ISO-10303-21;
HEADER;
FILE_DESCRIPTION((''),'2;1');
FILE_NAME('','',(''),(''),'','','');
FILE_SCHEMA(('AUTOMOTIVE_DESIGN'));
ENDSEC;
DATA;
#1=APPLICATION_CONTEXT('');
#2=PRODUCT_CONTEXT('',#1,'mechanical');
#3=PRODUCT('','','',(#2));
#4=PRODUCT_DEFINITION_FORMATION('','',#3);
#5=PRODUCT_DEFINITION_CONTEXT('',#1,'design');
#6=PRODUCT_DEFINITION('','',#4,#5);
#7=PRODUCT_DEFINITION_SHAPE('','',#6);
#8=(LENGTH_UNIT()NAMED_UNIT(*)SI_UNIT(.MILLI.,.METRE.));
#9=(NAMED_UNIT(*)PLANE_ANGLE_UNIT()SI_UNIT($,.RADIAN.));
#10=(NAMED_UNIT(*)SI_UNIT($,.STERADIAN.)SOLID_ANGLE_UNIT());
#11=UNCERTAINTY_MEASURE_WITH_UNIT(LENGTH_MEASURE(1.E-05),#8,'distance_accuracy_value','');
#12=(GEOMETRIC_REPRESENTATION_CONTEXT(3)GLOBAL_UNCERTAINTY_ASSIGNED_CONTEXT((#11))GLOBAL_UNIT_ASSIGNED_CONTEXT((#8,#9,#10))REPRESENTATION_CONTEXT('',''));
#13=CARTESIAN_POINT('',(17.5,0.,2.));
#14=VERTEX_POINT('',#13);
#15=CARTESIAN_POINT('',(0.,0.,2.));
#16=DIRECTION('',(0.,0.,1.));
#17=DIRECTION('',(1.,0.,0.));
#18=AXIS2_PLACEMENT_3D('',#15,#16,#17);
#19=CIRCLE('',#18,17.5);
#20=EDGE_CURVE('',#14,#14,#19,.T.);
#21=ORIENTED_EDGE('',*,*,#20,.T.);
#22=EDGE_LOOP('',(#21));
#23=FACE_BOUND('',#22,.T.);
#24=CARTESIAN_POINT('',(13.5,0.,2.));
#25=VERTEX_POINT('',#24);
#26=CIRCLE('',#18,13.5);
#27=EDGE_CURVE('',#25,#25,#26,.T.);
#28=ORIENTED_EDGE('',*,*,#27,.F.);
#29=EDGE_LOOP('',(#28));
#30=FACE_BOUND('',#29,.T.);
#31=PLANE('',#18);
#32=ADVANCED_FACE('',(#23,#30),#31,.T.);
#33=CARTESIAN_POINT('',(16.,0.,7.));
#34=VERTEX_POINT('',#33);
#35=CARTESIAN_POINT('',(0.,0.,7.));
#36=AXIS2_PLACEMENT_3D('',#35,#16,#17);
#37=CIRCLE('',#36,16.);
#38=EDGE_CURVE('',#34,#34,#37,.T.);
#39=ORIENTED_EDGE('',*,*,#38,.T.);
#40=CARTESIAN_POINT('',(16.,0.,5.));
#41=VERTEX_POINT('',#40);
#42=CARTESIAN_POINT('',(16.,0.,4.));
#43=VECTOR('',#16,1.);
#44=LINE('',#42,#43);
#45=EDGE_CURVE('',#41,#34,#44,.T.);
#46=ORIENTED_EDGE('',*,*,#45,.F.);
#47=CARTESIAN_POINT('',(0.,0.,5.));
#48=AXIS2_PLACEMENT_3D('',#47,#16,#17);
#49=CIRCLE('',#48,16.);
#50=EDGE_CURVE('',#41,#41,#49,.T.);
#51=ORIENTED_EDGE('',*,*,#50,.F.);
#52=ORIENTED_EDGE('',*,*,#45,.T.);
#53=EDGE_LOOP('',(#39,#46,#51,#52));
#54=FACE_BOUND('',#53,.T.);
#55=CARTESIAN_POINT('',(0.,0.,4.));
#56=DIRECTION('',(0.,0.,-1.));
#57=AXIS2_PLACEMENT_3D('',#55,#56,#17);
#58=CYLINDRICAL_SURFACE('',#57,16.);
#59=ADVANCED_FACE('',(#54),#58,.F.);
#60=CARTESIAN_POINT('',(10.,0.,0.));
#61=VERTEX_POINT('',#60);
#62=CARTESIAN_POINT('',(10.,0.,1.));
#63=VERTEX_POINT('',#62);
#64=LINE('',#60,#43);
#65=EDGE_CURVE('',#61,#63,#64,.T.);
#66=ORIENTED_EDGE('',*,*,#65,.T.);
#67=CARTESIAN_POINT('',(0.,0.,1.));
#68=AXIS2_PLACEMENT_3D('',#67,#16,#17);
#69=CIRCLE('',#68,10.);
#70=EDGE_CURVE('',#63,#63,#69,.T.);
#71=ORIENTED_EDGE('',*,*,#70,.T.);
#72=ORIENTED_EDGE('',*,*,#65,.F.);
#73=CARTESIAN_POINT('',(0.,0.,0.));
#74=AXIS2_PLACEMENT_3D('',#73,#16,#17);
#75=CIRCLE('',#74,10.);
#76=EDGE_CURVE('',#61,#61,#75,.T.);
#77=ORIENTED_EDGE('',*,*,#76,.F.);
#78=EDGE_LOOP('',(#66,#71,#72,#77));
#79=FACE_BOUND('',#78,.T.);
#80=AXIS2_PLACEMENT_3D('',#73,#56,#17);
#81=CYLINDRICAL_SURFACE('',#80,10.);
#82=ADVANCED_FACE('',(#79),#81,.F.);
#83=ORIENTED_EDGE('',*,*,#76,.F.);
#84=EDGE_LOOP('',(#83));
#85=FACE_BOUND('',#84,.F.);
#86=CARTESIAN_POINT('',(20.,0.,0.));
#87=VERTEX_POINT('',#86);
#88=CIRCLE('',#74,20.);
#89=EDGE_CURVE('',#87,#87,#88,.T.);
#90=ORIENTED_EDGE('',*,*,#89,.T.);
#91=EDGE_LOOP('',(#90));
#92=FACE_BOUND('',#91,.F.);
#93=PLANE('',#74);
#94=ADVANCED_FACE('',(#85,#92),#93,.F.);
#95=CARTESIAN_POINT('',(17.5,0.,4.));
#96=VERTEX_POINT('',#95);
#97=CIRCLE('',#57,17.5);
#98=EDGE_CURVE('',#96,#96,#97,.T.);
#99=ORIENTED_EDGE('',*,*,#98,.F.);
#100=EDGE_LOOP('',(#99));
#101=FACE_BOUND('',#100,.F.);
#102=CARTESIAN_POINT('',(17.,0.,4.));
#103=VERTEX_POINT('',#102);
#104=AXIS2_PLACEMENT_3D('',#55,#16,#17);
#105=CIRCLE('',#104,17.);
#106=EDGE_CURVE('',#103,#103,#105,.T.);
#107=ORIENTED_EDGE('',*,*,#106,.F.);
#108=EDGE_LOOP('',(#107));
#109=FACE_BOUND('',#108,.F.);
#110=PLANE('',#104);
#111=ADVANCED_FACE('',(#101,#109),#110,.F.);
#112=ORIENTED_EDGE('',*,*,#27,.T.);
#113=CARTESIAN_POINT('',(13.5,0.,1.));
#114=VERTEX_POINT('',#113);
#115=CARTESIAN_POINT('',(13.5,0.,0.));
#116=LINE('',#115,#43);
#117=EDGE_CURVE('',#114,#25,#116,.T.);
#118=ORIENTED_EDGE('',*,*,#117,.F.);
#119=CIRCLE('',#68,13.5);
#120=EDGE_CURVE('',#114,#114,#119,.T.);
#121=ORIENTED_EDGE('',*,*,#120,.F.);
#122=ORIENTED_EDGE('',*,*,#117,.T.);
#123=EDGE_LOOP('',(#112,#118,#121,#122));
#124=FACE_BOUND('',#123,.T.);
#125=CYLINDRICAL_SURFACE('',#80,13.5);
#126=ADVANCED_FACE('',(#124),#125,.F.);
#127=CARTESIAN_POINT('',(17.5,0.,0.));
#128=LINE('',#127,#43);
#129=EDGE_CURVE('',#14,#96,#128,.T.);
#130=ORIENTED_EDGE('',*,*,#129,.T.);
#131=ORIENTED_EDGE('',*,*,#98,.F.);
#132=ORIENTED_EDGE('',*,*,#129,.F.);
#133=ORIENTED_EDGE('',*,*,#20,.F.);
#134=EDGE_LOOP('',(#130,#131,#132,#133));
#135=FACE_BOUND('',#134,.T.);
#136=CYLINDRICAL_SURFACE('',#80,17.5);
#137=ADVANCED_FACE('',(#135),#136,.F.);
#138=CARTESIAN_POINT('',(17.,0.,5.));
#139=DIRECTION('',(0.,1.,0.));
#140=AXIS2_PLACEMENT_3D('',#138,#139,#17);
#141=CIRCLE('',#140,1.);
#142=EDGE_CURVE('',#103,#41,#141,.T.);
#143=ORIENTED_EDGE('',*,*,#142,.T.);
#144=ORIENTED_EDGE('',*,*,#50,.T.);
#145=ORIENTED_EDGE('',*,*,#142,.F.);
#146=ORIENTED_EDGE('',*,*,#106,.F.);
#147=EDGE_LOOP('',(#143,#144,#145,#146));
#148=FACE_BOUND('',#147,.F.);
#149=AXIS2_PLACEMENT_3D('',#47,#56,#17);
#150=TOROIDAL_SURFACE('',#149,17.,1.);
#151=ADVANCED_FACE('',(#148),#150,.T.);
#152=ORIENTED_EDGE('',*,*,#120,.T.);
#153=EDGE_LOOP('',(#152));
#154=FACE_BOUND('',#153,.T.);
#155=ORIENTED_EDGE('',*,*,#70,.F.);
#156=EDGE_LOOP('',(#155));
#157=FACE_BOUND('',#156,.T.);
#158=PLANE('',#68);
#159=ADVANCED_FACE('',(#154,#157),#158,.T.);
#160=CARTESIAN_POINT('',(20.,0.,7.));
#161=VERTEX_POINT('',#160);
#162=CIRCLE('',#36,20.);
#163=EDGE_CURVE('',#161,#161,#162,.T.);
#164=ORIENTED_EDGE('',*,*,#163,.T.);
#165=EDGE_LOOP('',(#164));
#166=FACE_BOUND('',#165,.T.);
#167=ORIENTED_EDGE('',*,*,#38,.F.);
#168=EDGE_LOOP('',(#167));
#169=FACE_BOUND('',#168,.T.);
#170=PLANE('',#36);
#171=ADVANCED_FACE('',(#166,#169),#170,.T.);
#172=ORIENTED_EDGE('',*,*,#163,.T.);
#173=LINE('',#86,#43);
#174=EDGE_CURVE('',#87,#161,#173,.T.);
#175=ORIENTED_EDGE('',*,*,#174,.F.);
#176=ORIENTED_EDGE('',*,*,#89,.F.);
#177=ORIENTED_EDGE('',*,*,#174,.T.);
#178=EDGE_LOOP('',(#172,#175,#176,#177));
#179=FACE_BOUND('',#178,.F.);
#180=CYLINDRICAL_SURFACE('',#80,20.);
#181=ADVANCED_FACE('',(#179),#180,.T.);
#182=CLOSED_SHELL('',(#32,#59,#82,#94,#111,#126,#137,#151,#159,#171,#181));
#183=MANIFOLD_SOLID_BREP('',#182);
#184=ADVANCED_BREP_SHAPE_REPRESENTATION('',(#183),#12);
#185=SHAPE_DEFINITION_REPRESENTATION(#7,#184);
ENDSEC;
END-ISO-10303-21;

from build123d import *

# Parameters (mm, degrees)
F0_R     = 13.5
F0_R_2   = 10
F1_DEPTH = 1
F0_R_3   = 17.5
F2_DEPTH = 2
F0_R_4   = 20
F3_DEPTH = 7
F5_START = 4
F4_R     = 20
F4_R_2   = 16
F5_DEPTH = 3
F6_R     = 1


with BuildPart() as f1:
    # F0 (on Top) → F1 (new body)
    with BuildSketch(Plane.XY):
        Circle(F0_R)
        Circle(F0_R_2, mode=Mode.SUBTRACT)
    extrude(amount=F1_DEPTH)

    # F0 (on Top) → F2 (join)
    with BuildSketch(Plane.XY):
        Circle(F0_R_3)
        Circle(F0_R, mode=Mode.SUBTRACT)
    extrude(amount=F2_DEPTH)

    # F0 (on Top) → F3 (join)
    with BuildSketch(Plane.XY):
        Circle(F0_R_4)
        Circle(F0_R_3, mode=Mode.SUBTRACT)
    extrude(amount=F3_DEPTH)

    # F4 (on Top) → F5 (join)
    with BuildSketch(Plane.XY.offset(F5_START)):
        Circle(F4_R)
        Circle(F4_R_2, mode=Mode.SUBTRACT)
    extrude(amount=F5_DEPTH)

    # F6
    f6_edges = [f1.edges().sort_by_distance(p)[0] for p in [
        (-16, 0, 4),
    ]]
    fillet(f6_edges, radius=F6_R)


solid = f1.part
